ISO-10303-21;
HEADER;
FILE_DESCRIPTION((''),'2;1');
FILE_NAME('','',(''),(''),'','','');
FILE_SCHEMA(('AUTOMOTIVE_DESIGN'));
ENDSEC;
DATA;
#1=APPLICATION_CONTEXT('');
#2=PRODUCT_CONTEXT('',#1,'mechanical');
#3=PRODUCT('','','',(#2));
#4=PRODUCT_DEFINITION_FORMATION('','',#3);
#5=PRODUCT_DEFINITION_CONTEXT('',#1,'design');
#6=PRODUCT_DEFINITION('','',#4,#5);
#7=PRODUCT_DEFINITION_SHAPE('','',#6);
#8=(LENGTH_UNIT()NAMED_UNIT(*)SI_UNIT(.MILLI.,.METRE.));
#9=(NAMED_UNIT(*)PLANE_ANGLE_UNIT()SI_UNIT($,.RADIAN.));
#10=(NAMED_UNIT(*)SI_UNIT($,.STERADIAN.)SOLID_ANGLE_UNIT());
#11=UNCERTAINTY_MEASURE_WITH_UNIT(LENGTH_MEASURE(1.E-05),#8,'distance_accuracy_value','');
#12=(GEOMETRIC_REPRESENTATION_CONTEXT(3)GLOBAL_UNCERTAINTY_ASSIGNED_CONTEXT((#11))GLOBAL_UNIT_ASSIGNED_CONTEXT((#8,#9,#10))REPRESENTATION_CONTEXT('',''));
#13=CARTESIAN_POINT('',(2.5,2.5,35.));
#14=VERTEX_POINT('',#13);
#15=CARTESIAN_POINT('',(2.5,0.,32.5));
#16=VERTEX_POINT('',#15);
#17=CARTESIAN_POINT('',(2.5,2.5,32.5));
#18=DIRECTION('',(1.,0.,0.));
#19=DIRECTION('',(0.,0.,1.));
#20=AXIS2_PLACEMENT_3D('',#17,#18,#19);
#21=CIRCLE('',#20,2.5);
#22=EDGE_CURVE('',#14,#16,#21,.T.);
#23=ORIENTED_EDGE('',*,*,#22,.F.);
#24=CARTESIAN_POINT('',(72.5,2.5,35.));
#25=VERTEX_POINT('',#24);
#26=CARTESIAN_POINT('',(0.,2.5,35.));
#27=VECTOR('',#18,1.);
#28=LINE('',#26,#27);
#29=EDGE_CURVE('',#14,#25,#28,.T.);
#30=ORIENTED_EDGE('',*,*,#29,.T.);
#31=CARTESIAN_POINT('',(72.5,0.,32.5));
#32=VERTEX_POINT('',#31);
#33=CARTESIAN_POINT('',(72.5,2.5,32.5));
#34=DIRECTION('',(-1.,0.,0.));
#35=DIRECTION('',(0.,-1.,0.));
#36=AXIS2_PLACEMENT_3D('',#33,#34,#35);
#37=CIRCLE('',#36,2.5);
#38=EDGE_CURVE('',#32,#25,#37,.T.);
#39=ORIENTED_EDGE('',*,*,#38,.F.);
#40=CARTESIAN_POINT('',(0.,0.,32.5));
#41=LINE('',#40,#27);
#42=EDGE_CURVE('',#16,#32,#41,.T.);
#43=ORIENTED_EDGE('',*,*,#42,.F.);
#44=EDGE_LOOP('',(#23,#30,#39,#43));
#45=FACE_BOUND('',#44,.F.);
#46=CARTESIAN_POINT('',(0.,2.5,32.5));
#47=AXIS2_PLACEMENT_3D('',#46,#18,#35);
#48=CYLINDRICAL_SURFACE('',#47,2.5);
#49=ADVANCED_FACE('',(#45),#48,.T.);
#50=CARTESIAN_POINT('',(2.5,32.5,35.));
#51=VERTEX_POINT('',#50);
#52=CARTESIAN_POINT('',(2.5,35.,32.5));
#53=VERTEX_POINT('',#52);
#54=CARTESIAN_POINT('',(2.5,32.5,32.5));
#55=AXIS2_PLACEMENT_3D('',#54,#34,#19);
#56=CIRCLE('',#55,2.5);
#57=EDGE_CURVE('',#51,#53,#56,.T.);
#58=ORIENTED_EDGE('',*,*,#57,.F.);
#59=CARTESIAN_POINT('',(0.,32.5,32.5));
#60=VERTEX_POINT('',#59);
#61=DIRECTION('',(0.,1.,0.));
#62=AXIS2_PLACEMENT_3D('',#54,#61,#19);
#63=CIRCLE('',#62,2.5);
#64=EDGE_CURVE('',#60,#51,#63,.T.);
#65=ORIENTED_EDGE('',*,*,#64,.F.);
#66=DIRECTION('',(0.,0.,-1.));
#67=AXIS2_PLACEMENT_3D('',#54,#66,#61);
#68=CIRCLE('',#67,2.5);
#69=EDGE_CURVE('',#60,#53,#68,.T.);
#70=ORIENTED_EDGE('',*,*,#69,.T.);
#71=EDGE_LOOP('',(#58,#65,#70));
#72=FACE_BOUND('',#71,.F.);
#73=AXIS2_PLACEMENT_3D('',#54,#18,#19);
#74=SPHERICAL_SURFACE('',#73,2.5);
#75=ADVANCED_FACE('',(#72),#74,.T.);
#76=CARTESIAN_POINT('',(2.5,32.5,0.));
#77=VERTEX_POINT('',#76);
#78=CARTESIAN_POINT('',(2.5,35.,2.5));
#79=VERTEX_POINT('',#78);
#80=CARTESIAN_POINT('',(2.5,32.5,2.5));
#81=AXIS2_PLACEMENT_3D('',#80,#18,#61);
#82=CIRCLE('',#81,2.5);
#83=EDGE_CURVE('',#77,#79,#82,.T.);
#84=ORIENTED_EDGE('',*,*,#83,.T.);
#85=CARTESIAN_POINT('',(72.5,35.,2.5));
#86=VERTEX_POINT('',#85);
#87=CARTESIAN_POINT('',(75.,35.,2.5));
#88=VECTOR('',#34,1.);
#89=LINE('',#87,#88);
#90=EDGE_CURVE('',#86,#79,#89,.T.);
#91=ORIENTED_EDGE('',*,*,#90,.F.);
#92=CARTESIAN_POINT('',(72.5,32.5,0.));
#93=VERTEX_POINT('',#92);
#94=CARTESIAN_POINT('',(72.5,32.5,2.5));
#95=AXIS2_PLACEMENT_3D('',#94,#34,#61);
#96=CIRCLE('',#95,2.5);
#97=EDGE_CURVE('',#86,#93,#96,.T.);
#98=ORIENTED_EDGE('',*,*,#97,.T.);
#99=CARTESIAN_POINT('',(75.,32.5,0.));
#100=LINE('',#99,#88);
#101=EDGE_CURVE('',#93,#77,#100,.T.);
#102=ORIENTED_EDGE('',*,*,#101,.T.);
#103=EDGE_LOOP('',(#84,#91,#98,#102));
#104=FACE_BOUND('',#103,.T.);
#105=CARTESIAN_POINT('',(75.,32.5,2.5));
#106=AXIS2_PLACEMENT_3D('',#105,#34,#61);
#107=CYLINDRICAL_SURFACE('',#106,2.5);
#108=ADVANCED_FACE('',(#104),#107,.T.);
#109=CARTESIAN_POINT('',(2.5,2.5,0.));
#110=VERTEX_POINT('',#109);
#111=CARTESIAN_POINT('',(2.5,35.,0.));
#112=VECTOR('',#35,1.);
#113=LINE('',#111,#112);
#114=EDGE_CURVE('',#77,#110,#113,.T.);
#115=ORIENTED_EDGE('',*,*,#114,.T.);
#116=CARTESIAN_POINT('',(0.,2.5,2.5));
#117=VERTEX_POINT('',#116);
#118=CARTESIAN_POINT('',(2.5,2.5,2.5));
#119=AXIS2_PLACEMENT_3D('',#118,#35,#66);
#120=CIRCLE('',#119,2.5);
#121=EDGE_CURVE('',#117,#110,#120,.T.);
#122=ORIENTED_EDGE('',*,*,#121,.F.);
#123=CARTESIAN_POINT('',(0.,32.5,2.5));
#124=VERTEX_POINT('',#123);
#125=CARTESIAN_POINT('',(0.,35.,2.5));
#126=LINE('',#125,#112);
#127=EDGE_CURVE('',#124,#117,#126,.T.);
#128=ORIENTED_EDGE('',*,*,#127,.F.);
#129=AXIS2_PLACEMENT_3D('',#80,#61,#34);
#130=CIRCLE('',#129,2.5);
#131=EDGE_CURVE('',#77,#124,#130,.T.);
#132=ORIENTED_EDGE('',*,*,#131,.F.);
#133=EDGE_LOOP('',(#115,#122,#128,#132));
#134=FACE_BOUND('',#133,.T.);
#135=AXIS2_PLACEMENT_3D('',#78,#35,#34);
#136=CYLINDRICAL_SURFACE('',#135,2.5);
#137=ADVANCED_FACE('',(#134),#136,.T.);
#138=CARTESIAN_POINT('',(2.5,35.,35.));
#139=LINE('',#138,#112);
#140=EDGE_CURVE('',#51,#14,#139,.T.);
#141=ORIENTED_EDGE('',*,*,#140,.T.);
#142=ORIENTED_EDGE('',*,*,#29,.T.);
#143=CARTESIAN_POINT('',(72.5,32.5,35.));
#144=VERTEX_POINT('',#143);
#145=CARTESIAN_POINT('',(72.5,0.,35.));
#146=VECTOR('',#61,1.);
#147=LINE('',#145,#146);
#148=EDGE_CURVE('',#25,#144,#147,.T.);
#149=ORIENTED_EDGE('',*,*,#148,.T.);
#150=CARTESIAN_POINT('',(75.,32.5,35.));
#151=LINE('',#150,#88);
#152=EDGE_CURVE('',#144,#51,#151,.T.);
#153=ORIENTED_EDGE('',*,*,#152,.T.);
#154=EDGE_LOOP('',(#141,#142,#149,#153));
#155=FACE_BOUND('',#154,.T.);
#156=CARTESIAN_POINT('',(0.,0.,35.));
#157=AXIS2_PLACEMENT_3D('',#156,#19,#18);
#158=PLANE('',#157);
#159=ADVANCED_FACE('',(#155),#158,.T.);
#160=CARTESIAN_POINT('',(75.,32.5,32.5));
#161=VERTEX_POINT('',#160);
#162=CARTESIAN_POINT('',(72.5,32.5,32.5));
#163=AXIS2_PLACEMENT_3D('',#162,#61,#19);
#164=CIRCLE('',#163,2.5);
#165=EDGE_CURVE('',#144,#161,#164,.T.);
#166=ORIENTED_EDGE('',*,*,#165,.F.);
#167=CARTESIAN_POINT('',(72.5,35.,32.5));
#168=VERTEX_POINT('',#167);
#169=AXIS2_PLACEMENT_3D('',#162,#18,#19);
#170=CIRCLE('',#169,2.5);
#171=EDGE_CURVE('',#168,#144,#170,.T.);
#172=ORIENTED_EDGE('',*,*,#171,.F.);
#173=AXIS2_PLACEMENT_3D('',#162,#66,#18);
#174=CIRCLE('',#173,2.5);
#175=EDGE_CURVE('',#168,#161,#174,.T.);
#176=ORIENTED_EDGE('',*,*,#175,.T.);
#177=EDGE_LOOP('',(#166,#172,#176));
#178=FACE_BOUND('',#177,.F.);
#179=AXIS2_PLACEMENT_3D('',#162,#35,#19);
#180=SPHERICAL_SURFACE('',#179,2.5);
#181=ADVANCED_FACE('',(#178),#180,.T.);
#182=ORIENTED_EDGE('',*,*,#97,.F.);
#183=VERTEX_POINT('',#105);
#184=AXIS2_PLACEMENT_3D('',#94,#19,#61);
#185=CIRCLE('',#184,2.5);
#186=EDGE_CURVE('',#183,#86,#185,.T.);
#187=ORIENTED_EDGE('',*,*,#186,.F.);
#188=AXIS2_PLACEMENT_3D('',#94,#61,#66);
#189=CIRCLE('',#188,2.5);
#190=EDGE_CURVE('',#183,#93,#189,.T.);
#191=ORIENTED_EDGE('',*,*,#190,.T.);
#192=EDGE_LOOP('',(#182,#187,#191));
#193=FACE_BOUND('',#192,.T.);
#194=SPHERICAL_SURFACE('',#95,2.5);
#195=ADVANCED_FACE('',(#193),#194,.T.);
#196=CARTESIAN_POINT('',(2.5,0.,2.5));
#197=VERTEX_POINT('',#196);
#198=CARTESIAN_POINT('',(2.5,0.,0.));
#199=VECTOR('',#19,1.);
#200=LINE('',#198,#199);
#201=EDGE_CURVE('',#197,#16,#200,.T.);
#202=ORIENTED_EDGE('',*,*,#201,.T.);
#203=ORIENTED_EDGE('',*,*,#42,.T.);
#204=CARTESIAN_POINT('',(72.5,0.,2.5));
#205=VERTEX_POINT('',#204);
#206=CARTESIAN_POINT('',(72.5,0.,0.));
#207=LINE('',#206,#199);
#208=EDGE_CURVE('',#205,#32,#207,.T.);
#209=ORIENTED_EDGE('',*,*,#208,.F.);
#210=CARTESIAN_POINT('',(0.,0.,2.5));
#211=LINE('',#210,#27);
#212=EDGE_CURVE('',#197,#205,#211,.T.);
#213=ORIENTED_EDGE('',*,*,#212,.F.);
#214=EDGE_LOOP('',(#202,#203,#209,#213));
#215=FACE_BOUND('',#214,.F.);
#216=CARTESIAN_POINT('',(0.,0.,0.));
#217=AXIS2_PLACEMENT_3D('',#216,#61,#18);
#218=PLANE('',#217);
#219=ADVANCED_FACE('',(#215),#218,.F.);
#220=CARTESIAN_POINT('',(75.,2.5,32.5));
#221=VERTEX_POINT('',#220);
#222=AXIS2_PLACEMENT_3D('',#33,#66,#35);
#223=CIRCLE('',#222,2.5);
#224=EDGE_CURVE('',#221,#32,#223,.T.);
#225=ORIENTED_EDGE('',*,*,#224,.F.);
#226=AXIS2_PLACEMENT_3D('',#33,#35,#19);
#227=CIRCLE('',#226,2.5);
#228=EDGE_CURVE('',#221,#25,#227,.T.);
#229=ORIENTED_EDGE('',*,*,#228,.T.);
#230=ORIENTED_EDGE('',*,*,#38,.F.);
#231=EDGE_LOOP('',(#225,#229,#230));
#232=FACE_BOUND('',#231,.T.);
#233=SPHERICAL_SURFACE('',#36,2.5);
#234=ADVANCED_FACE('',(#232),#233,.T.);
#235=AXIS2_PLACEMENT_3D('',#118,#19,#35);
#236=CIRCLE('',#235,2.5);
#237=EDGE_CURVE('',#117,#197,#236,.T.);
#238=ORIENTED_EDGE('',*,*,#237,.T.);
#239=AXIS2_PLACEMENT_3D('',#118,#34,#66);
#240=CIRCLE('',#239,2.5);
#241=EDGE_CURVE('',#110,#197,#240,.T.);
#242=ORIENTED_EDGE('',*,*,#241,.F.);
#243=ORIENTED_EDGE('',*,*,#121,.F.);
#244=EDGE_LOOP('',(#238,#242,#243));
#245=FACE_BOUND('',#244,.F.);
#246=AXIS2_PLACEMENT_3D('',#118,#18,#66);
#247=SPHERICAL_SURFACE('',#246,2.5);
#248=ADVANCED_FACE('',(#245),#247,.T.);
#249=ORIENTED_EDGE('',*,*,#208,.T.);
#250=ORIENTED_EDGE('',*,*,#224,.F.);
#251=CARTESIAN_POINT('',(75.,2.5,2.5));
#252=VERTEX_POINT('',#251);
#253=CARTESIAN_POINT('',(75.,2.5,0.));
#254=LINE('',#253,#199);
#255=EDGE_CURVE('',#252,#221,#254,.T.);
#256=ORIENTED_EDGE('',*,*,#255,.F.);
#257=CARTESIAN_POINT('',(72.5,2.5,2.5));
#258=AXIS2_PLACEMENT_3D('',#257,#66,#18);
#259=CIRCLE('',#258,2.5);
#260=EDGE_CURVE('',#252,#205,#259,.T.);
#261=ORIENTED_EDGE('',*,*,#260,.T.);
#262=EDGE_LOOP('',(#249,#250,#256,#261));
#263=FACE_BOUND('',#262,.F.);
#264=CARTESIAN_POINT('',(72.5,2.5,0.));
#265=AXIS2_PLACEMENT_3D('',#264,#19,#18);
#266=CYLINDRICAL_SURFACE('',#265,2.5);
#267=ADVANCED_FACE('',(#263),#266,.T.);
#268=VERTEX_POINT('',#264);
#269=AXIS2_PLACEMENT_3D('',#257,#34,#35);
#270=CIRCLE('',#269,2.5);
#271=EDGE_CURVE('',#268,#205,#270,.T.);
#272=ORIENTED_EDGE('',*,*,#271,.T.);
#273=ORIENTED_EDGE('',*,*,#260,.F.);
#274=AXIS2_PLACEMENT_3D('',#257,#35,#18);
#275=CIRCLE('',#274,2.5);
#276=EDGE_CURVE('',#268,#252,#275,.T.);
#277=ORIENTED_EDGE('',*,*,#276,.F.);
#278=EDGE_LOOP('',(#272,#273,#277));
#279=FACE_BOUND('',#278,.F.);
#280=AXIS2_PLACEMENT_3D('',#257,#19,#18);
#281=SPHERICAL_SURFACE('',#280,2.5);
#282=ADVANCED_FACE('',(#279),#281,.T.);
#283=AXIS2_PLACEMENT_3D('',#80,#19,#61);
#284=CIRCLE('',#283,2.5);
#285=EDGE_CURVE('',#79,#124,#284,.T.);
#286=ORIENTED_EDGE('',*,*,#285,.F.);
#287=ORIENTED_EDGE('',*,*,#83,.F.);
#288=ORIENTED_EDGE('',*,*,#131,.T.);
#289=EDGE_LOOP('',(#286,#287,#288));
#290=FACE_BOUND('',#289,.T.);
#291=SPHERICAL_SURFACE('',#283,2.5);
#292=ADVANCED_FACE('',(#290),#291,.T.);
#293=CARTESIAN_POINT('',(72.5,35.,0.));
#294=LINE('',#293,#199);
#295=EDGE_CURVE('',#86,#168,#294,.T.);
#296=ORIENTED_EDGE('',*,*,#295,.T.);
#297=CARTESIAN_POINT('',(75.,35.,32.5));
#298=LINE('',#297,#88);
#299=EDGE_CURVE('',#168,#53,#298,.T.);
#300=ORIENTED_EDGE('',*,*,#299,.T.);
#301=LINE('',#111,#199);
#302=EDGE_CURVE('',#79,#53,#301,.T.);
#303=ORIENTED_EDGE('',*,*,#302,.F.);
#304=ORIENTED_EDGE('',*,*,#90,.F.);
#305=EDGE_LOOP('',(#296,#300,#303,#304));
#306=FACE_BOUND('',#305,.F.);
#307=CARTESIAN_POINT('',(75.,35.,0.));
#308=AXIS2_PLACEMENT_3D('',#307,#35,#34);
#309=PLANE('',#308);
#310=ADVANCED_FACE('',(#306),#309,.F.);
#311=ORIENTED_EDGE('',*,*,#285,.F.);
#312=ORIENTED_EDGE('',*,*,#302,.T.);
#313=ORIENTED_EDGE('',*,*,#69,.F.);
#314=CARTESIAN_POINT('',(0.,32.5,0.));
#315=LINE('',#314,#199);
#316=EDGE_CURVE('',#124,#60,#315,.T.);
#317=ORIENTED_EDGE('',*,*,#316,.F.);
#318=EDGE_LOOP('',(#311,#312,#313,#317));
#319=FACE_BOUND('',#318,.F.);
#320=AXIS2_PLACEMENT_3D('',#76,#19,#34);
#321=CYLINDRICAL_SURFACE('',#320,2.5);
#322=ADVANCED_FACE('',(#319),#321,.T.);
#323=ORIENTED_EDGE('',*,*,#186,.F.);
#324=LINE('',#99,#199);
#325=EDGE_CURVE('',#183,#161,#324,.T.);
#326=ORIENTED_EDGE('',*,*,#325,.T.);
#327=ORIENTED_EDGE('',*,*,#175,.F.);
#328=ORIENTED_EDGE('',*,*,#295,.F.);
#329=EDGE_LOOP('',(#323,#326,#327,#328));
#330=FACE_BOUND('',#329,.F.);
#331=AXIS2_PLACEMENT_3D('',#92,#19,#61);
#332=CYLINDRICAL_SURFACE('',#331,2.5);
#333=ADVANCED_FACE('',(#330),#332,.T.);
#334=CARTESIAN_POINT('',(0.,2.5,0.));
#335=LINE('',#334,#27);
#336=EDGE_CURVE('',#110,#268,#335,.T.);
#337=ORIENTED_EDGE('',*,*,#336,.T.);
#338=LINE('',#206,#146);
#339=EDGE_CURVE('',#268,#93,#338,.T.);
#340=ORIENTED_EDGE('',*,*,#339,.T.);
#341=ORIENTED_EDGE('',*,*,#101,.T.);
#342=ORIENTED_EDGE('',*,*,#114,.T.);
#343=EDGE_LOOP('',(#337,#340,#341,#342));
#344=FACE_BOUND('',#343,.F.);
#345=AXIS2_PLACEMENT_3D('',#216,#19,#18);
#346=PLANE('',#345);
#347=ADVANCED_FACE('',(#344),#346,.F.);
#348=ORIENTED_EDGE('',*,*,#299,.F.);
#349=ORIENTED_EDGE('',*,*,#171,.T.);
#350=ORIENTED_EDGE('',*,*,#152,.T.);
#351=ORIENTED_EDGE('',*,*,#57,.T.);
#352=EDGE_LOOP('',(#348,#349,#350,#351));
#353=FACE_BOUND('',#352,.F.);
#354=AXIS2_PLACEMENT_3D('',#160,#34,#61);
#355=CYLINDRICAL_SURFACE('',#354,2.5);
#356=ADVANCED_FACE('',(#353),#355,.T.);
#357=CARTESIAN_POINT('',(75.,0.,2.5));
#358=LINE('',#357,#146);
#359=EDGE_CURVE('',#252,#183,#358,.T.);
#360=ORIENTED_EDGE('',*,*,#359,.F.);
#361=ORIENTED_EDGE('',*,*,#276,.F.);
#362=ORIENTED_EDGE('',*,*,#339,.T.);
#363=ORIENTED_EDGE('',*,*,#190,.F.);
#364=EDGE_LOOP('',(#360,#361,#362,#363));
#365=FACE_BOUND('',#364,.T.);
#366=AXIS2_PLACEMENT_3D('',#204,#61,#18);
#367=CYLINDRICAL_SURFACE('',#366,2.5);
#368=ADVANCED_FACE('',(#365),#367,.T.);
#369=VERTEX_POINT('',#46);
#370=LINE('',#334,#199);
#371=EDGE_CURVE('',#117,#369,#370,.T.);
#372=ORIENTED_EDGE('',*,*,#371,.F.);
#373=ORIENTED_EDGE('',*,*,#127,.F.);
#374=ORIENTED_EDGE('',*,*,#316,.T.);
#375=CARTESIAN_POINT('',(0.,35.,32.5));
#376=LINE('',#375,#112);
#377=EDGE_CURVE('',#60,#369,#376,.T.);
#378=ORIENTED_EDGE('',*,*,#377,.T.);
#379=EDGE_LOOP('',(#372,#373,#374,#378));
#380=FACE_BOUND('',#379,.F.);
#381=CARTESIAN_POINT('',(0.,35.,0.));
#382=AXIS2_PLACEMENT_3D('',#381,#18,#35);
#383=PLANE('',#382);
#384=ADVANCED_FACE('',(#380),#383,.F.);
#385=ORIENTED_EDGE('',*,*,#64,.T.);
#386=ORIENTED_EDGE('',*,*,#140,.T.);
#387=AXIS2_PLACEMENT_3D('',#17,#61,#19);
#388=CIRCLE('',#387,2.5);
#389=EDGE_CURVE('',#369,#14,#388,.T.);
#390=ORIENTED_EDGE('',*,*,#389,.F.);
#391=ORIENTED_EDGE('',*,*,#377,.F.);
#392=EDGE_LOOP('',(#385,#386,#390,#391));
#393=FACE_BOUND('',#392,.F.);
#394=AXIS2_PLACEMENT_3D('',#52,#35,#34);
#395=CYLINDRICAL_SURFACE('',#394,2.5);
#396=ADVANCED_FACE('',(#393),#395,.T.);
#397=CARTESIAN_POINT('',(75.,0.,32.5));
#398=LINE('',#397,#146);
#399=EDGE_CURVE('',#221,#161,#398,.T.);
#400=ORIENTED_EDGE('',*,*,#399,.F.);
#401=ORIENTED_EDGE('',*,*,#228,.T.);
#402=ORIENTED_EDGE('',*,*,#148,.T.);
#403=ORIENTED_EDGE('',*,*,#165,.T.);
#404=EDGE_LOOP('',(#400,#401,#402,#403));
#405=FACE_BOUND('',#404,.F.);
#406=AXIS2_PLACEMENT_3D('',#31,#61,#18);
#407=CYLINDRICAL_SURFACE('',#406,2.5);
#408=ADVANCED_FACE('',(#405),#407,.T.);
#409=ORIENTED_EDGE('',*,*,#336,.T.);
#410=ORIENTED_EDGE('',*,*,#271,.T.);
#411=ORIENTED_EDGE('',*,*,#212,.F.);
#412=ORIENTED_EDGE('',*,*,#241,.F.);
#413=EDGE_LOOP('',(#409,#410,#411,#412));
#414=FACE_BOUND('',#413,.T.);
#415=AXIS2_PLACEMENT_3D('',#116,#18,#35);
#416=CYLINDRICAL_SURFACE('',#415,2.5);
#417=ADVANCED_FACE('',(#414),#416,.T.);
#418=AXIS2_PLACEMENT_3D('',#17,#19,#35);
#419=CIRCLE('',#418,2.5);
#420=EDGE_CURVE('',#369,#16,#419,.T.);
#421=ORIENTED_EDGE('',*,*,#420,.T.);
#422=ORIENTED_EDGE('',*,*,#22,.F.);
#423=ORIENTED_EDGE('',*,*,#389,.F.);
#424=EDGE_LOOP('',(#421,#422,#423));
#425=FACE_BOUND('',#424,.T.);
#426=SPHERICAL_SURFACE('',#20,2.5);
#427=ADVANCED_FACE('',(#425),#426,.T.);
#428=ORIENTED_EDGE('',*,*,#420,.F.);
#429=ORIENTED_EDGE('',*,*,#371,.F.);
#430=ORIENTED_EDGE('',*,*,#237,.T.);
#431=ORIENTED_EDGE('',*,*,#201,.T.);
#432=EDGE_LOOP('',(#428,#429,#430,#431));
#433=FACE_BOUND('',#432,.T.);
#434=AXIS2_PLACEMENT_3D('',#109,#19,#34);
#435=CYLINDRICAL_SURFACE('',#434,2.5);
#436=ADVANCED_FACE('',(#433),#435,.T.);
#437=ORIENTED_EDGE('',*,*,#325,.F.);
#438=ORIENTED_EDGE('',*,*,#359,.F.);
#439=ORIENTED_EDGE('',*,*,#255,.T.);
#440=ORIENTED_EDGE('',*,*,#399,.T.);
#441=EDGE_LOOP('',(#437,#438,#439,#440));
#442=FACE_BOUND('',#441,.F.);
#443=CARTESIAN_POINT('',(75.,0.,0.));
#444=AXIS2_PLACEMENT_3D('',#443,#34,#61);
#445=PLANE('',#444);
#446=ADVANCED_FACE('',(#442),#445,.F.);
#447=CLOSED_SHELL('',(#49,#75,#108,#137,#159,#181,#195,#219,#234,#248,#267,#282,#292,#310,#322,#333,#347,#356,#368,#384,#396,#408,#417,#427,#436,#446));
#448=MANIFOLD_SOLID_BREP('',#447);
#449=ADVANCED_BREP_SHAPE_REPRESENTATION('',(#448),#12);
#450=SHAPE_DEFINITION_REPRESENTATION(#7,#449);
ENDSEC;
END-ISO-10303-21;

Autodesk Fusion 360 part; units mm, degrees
sketch "Sketch1" plane through (0, 0, 0) normal (0, 0, 1) x (1, 0, 0)
  line L0 (0, 0) -> (75, 0)
  line L1 (75, 0) -> (75, 35)
  line L2 (75, 35) -> (0, 35)
  line L3 (0, 35) -> (0, 0)
  dimension "d1" = 75
  dimension "d2" = 35
extrude "Extrude1" add sketch "Sketch1" along normal blind 35
fillet "Fillet1" radius 2.5 12 edges at (37.5, 0, 35) (75, 0, 17.5) (75, 17.5, 35) (37.5, 35, 35) (0, 17.5, 35) (0, 35, 17.5) (37.5, 35, 0) (75, 35, 17.5) (75, 17.5, 0) (37.5, 0, 0) (0, 17.5, 0) (0, 0, 17.5)
